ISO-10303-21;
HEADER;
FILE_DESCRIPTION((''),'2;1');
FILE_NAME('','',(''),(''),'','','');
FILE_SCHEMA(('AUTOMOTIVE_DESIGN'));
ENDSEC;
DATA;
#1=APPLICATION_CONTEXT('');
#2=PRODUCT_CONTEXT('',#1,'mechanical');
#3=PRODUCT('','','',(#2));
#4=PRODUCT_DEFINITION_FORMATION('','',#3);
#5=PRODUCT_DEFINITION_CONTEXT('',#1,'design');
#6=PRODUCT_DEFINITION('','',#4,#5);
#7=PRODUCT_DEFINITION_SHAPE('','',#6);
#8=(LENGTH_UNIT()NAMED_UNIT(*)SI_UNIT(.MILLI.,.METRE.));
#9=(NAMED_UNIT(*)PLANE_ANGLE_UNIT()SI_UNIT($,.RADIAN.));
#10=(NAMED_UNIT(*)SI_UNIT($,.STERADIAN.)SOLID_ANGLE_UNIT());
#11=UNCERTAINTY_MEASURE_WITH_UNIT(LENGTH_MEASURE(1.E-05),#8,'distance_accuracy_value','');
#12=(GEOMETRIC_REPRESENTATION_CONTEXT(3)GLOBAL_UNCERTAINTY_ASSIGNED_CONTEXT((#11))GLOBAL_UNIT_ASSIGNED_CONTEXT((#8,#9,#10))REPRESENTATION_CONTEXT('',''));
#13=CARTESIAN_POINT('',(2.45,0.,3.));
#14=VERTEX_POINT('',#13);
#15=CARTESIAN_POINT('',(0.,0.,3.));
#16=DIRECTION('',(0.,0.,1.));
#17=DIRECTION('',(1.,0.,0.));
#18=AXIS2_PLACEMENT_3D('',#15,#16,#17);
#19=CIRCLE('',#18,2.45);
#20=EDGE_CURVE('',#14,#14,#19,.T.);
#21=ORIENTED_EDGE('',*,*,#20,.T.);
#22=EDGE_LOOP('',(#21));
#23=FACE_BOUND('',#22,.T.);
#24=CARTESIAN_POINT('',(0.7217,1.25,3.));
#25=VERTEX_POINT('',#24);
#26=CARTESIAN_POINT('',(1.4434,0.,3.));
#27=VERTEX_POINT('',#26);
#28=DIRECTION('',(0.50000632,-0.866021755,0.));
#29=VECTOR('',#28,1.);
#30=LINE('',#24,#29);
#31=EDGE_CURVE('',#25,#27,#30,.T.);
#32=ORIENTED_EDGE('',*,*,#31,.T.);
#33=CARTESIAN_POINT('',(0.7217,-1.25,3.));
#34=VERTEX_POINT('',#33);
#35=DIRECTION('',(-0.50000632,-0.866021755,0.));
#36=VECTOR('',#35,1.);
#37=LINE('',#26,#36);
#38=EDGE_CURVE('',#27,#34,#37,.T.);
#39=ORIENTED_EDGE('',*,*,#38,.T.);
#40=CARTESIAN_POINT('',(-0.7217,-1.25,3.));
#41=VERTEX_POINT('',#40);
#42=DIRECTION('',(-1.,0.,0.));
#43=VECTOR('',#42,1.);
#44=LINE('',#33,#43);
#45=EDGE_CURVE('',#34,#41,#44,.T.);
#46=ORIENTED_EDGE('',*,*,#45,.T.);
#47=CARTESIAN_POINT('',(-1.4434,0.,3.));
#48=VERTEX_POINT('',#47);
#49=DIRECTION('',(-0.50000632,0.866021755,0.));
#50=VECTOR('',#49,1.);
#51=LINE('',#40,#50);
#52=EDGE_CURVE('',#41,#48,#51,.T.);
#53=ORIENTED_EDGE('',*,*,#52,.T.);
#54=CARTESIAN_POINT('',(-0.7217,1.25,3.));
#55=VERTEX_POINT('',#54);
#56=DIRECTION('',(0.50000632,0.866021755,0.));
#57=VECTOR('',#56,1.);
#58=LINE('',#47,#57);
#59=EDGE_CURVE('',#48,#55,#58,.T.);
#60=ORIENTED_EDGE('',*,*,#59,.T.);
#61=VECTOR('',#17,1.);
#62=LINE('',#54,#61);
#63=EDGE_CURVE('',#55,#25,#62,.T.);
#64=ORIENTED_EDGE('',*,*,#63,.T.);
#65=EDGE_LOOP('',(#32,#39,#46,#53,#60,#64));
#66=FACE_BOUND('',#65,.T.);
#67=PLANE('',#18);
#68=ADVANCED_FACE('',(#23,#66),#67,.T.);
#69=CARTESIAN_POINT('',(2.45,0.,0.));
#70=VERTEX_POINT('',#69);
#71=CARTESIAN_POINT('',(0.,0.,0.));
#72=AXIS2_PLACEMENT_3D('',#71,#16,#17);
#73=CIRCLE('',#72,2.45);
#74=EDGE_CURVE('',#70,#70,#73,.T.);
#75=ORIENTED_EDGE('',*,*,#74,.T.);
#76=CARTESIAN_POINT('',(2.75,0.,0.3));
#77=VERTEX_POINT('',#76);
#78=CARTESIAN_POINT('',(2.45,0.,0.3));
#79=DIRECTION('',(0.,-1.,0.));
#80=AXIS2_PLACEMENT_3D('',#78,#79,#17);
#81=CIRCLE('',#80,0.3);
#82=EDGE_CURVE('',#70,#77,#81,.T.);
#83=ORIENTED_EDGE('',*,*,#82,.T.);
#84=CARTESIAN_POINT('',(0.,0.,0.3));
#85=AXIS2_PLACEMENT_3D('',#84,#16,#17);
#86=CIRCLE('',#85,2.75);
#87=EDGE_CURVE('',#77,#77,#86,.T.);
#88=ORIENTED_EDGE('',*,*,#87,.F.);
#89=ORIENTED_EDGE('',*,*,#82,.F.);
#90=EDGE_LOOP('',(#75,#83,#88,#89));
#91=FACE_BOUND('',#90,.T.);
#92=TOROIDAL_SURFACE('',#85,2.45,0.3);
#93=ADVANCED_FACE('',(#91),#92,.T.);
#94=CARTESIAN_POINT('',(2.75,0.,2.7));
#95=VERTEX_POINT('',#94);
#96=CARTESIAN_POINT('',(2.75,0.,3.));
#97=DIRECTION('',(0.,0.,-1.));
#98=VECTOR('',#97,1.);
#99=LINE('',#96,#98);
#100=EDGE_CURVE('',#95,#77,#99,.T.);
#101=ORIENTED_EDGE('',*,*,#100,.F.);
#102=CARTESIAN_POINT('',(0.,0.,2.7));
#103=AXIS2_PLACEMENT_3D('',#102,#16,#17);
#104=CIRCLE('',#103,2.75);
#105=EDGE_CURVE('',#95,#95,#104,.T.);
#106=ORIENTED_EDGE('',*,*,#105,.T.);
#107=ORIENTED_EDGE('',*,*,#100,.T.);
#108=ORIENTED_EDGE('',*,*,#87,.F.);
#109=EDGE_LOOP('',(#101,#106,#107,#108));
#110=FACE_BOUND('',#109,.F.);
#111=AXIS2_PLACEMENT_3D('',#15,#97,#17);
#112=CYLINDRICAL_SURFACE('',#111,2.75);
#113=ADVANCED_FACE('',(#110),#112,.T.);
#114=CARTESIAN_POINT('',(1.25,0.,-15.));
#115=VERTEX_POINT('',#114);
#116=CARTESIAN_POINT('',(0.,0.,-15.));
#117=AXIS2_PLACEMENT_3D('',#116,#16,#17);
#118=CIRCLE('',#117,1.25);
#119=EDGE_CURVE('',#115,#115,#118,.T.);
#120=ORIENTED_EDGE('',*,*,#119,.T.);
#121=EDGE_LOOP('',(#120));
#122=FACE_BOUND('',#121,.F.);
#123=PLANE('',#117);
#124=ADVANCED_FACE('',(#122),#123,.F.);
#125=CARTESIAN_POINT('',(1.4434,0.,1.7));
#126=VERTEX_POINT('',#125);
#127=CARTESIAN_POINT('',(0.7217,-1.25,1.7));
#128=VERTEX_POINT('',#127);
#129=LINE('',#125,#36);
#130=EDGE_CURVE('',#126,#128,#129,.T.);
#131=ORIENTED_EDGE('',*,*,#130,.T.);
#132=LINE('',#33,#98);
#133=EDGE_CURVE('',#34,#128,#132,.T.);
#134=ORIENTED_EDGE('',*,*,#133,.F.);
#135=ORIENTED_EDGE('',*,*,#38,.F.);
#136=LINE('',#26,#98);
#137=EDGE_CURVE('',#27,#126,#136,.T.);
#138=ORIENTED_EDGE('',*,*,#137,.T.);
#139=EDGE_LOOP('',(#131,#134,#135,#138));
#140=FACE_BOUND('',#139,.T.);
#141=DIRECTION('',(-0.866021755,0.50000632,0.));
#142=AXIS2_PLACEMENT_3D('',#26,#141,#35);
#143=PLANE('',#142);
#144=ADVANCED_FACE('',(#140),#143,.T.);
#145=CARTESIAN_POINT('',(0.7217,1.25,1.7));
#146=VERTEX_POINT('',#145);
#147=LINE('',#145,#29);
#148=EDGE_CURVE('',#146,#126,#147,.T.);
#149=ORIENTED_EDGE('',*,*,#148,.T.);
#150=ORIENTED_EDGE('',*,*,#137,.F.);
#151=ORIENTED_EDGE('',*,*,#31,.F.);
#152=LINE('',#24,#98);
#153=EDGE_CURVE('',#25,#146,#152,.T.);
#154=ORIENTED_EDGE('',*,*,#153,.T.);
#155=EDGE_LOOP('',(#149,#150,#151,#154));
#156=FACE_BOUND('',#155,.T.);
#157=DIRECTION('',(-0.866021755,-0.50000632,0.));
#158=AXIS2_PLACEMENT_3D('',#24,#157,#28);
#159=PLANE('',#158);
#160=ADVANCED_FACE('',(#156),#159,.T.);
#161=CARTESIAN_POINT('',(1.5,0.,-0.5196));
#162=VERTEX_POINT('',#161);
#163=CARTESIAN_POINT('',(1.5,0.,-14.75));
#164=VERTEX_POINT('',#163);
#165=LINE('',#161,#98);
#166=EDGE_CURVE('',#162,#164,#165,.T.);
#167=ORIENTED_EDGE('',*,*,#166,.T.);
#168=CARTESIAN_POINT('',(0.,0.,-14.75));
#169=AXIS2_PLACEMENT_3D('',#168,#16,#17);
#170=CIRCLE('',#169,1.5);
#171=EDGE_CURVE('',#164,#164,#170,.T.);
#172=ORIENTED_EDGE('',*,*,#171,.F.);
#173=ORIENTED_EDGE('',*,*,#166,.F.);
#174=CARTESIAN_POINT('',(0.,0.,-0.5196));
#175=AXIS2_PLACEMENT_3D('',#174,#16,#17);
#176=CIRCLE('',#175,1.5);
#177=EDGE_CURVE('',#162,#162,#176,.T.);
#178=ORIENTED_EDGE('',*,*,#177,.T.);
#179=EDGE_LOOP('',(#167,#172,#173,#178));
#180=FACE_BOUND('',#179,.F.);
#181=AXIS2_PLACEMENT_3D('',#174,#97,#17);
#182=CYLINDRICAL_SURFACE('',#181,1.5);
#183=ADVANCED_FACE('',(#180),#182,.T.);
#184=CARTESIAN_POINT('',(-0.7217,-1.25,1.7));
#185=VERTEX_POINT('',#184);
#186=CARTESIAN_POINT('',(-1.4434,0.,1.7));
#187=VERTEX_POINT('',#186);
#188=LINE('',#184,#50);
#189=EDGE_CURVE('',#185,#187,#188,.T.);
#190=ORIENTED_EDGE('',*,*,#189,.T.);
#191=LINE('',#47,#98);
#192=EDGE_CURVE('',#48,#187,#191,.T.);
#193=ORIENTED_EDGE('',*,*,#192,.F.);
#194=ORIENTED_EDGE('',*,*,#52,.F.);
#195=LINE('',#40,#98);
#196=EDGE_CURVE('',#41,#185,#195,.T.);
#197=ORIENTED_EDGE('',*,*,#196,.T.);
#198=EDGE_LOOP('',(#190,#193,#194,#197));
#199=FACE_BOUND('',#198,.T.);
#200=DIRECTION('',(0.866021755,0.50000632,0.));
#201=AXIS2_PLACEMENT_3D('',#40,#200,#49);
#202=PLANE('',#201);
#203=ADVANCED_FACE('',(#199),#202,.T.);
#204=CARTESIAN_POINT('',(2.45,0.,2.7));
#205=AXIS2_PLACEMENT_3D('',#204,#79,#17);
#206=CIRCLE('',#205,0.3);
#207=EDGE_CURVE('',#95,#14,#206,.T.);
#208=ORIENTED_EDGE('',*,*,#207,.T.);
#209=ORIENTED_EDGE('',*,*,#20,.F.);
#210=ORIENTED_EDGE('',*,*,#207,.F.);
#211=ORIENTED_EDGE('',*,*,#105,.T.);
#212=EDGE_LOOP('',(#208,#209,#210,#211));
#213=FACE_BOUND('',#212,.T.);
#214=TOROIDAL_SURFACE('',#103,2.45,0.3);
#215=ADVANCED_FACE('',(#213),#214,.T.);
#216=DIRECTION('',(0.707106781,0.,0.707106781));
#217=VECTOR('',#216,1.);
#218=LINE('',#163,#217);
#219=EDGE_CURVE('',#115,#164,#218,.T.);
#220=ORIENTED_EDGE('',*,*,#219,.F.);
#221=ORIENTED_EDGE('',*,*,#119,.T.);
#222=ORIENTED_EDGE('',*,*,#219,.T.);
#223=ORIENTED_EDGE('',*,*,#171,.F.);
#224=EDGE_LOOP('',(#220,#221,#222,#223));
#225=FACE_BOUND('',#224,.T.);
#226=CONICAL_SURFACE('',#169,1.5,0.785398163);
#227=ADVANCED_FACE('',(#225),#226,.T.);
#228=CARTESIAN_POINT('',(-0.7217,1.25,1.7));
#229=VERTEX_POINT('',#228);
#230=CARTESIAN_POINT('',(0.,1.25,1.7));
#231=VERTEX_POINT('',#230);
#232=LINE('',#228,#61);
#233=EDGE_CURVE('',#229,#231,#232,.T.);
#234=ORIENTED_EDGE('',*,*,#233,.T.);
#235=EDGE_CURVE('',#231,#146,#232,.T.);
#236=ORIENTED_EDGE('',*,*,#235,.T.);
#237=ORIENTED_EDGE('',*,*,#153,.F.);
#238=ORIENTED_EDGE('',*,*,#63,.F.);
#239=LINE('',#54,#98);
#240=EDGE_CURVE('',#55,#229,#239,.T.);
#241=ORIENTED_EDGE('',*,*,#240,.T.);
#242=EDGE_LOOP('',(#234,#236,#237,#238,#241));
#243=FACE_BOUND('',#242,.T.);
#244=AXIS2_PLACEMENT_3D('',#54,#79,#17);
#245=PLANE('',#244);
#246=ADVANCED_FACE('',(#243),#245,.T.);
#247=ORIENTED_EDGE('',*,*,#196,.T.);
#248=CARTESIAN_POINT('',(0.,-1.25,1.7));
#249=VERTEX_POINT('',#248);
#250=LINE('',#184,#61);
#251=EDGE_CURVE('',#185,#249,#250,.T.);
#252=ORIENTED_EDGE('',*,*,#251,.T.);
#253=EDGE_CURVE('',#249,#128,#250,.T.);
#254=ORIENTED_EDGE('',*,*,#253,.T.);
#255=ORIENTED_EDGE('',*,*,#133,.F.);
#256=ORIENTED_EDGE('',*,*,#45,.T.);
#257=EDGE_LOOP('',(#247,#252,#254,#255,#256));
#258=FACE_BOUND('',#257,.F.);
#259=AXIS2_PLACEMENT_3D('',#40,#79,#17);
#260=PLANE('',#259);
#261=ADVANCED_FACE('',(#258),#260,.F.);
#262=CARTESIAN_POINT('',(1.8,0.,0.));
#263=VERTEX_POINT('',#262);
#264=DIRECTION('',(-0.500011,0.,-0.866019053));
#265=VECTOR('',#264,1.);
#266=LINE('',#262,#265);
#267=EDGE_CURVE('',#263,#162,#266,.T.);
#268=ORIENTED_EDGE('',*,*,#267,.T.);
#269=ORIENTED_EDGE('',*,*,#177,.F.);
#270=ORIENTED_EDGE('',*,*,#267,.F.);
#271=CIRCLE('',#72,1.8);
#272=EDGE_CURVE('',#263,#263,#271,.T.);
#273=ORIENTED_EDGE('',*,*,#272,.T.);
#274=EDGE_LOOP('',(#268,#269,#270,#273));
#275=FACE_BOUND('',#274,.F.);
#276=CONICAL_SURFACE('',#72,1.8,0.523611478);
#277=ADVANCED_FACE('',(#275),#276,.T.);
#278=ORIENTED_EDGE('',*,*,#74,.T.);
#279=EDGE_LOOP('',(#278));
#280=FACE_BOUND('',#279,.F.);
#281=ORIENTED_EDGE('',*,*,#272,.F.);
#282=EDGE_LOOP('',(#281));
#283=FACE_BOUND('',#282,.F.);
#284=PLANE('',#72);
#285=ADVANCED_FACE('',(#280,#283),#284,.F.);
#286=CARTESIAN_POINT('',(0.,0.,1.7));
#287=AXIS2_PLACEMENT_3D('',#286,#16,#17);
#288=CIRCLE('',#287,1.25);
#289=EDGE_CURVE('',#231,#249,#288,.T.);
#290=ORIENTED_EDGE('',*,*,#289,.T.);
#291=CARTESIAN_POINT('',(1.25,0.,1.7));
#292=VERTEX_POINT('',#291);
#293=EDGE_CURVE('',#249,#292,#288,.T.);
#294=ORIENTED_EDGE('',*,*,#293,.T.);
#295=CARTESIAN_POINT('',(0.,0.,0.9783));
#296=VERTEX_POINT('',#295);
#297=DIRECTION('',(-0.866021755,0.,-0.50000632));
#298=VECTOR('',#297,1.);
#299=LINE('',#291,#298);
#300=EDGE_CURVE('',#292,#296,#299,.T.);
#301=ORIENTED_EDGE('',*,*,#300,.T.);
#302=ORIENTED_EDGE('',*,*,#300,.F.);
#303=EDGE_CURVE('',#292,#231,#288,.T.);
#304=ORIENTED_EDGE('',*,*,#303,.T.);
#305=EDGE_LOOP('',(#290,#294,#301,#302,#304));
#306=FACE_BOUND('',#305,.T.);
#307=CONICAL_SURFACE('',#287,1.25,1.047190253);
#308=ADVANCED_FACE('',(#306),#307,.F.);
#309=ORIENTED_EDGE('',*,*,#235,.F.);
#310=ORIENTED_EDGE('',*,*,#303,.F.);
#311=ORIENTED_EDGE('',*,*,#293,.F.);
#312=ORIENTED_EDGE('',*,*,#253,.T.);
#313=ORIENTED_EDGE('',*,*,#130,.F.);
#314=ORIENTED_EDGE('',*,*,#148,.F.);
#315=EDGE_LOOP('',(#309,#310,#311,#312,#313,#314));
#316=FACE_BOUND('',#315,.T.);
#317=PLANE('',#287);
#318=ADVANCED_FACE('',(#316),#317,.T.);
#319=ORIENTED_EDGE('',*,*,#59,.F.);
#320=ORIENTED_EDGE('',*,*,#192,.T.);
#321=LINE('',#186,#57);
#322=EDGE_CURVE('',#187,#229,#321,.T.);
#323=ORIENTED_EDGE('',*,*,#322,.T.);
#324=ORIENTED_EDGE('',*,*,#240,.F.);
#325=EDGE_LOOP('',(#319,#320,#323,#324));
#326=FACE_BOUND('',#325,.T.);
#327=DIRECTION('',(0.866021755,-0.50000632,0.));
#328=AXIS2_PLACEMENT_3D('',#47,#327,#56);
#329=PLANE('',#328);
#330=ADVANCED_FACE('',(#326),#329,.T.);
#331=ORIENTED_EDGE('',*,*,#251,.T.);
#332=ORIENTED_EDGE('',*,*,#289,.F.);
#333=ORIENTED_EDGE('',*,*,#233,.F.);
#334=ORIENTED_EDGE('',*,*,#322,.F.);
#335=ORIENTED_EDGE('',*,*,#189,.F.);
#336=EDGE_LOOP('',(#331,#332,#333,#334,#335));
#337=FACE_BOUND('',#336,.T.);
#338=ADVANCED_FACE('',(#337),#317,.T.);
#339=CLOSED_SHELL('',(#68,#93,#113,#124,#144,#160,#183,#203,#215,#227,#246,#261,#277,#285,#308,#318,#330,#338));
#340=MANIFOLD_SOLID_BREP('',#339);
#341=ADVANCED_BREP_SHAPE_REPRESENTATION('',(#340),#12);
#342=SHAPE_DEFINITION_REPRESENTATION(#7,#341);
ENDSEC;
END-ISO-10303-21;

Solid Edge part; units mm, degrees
sketch "Sketch1" plane through (0, 0, 0) normal (0, -1, 0) x (1, 0, 0)
  line L0 (2.75, 3) -> (2.75, 0)
  line L1 (2.75, 0) -> (1.8, 0)
  line L2 (1.8, 0) -> (1.5, -0.5196)
  line L3 (1.5, -0.5196) -> (1.5, -15)
  line L4 (1.5, -15) -> (0, -15)
  line L5 (1.25, 1.7) -> (0, 0.9783)
  line L6 (1.25, 3) -> (1.25, 1.7)
  line L7 (2.75, 3) -> (1.25, 3)
  dimension "D1" = 1.3
  dimension "D2" = 15
  dimension "D3" = 3
revolve "RevolvedProtrusion1" add sketch "Sketch1" angle 360 about axis through (0, 0, -6) along (0, 0, 1)
cosmetic_thread "Thread1" size "M3"
chamfer "Chamfer_1" distance 0.25 angle 45 1 edges at (-1.5, 0, -15)
fillet "Round_1" radius 0.3 2 edges at (-2.75, 0, 0) (-2.75, 0, 3)
sketch "Sketch2" plane through (0, 0, 3) normal (0, 0, 1) x (0, 1, 0)
  line L0 (-1.25, 0.7217) -> (-1.25, -0.7217)
  line L1 (0, -1.4434) -> (-1.25, -0.7217)
  line L2 (1.25, -0.7217) -> (0, -1.4434)
  line L3 (1.25, 0.7217) -> (1.25, -0.7217)
  line L4 (0, 1.4434) -> (1.25, 0.7217)
  line L5 (-1.25, 0.7217) -> (0, 1.4434)
extrude "Cutout1" cut sketch "Sketch2" against normal up to vertex (1.3 mm away)
properties material "Galvanized steel"
